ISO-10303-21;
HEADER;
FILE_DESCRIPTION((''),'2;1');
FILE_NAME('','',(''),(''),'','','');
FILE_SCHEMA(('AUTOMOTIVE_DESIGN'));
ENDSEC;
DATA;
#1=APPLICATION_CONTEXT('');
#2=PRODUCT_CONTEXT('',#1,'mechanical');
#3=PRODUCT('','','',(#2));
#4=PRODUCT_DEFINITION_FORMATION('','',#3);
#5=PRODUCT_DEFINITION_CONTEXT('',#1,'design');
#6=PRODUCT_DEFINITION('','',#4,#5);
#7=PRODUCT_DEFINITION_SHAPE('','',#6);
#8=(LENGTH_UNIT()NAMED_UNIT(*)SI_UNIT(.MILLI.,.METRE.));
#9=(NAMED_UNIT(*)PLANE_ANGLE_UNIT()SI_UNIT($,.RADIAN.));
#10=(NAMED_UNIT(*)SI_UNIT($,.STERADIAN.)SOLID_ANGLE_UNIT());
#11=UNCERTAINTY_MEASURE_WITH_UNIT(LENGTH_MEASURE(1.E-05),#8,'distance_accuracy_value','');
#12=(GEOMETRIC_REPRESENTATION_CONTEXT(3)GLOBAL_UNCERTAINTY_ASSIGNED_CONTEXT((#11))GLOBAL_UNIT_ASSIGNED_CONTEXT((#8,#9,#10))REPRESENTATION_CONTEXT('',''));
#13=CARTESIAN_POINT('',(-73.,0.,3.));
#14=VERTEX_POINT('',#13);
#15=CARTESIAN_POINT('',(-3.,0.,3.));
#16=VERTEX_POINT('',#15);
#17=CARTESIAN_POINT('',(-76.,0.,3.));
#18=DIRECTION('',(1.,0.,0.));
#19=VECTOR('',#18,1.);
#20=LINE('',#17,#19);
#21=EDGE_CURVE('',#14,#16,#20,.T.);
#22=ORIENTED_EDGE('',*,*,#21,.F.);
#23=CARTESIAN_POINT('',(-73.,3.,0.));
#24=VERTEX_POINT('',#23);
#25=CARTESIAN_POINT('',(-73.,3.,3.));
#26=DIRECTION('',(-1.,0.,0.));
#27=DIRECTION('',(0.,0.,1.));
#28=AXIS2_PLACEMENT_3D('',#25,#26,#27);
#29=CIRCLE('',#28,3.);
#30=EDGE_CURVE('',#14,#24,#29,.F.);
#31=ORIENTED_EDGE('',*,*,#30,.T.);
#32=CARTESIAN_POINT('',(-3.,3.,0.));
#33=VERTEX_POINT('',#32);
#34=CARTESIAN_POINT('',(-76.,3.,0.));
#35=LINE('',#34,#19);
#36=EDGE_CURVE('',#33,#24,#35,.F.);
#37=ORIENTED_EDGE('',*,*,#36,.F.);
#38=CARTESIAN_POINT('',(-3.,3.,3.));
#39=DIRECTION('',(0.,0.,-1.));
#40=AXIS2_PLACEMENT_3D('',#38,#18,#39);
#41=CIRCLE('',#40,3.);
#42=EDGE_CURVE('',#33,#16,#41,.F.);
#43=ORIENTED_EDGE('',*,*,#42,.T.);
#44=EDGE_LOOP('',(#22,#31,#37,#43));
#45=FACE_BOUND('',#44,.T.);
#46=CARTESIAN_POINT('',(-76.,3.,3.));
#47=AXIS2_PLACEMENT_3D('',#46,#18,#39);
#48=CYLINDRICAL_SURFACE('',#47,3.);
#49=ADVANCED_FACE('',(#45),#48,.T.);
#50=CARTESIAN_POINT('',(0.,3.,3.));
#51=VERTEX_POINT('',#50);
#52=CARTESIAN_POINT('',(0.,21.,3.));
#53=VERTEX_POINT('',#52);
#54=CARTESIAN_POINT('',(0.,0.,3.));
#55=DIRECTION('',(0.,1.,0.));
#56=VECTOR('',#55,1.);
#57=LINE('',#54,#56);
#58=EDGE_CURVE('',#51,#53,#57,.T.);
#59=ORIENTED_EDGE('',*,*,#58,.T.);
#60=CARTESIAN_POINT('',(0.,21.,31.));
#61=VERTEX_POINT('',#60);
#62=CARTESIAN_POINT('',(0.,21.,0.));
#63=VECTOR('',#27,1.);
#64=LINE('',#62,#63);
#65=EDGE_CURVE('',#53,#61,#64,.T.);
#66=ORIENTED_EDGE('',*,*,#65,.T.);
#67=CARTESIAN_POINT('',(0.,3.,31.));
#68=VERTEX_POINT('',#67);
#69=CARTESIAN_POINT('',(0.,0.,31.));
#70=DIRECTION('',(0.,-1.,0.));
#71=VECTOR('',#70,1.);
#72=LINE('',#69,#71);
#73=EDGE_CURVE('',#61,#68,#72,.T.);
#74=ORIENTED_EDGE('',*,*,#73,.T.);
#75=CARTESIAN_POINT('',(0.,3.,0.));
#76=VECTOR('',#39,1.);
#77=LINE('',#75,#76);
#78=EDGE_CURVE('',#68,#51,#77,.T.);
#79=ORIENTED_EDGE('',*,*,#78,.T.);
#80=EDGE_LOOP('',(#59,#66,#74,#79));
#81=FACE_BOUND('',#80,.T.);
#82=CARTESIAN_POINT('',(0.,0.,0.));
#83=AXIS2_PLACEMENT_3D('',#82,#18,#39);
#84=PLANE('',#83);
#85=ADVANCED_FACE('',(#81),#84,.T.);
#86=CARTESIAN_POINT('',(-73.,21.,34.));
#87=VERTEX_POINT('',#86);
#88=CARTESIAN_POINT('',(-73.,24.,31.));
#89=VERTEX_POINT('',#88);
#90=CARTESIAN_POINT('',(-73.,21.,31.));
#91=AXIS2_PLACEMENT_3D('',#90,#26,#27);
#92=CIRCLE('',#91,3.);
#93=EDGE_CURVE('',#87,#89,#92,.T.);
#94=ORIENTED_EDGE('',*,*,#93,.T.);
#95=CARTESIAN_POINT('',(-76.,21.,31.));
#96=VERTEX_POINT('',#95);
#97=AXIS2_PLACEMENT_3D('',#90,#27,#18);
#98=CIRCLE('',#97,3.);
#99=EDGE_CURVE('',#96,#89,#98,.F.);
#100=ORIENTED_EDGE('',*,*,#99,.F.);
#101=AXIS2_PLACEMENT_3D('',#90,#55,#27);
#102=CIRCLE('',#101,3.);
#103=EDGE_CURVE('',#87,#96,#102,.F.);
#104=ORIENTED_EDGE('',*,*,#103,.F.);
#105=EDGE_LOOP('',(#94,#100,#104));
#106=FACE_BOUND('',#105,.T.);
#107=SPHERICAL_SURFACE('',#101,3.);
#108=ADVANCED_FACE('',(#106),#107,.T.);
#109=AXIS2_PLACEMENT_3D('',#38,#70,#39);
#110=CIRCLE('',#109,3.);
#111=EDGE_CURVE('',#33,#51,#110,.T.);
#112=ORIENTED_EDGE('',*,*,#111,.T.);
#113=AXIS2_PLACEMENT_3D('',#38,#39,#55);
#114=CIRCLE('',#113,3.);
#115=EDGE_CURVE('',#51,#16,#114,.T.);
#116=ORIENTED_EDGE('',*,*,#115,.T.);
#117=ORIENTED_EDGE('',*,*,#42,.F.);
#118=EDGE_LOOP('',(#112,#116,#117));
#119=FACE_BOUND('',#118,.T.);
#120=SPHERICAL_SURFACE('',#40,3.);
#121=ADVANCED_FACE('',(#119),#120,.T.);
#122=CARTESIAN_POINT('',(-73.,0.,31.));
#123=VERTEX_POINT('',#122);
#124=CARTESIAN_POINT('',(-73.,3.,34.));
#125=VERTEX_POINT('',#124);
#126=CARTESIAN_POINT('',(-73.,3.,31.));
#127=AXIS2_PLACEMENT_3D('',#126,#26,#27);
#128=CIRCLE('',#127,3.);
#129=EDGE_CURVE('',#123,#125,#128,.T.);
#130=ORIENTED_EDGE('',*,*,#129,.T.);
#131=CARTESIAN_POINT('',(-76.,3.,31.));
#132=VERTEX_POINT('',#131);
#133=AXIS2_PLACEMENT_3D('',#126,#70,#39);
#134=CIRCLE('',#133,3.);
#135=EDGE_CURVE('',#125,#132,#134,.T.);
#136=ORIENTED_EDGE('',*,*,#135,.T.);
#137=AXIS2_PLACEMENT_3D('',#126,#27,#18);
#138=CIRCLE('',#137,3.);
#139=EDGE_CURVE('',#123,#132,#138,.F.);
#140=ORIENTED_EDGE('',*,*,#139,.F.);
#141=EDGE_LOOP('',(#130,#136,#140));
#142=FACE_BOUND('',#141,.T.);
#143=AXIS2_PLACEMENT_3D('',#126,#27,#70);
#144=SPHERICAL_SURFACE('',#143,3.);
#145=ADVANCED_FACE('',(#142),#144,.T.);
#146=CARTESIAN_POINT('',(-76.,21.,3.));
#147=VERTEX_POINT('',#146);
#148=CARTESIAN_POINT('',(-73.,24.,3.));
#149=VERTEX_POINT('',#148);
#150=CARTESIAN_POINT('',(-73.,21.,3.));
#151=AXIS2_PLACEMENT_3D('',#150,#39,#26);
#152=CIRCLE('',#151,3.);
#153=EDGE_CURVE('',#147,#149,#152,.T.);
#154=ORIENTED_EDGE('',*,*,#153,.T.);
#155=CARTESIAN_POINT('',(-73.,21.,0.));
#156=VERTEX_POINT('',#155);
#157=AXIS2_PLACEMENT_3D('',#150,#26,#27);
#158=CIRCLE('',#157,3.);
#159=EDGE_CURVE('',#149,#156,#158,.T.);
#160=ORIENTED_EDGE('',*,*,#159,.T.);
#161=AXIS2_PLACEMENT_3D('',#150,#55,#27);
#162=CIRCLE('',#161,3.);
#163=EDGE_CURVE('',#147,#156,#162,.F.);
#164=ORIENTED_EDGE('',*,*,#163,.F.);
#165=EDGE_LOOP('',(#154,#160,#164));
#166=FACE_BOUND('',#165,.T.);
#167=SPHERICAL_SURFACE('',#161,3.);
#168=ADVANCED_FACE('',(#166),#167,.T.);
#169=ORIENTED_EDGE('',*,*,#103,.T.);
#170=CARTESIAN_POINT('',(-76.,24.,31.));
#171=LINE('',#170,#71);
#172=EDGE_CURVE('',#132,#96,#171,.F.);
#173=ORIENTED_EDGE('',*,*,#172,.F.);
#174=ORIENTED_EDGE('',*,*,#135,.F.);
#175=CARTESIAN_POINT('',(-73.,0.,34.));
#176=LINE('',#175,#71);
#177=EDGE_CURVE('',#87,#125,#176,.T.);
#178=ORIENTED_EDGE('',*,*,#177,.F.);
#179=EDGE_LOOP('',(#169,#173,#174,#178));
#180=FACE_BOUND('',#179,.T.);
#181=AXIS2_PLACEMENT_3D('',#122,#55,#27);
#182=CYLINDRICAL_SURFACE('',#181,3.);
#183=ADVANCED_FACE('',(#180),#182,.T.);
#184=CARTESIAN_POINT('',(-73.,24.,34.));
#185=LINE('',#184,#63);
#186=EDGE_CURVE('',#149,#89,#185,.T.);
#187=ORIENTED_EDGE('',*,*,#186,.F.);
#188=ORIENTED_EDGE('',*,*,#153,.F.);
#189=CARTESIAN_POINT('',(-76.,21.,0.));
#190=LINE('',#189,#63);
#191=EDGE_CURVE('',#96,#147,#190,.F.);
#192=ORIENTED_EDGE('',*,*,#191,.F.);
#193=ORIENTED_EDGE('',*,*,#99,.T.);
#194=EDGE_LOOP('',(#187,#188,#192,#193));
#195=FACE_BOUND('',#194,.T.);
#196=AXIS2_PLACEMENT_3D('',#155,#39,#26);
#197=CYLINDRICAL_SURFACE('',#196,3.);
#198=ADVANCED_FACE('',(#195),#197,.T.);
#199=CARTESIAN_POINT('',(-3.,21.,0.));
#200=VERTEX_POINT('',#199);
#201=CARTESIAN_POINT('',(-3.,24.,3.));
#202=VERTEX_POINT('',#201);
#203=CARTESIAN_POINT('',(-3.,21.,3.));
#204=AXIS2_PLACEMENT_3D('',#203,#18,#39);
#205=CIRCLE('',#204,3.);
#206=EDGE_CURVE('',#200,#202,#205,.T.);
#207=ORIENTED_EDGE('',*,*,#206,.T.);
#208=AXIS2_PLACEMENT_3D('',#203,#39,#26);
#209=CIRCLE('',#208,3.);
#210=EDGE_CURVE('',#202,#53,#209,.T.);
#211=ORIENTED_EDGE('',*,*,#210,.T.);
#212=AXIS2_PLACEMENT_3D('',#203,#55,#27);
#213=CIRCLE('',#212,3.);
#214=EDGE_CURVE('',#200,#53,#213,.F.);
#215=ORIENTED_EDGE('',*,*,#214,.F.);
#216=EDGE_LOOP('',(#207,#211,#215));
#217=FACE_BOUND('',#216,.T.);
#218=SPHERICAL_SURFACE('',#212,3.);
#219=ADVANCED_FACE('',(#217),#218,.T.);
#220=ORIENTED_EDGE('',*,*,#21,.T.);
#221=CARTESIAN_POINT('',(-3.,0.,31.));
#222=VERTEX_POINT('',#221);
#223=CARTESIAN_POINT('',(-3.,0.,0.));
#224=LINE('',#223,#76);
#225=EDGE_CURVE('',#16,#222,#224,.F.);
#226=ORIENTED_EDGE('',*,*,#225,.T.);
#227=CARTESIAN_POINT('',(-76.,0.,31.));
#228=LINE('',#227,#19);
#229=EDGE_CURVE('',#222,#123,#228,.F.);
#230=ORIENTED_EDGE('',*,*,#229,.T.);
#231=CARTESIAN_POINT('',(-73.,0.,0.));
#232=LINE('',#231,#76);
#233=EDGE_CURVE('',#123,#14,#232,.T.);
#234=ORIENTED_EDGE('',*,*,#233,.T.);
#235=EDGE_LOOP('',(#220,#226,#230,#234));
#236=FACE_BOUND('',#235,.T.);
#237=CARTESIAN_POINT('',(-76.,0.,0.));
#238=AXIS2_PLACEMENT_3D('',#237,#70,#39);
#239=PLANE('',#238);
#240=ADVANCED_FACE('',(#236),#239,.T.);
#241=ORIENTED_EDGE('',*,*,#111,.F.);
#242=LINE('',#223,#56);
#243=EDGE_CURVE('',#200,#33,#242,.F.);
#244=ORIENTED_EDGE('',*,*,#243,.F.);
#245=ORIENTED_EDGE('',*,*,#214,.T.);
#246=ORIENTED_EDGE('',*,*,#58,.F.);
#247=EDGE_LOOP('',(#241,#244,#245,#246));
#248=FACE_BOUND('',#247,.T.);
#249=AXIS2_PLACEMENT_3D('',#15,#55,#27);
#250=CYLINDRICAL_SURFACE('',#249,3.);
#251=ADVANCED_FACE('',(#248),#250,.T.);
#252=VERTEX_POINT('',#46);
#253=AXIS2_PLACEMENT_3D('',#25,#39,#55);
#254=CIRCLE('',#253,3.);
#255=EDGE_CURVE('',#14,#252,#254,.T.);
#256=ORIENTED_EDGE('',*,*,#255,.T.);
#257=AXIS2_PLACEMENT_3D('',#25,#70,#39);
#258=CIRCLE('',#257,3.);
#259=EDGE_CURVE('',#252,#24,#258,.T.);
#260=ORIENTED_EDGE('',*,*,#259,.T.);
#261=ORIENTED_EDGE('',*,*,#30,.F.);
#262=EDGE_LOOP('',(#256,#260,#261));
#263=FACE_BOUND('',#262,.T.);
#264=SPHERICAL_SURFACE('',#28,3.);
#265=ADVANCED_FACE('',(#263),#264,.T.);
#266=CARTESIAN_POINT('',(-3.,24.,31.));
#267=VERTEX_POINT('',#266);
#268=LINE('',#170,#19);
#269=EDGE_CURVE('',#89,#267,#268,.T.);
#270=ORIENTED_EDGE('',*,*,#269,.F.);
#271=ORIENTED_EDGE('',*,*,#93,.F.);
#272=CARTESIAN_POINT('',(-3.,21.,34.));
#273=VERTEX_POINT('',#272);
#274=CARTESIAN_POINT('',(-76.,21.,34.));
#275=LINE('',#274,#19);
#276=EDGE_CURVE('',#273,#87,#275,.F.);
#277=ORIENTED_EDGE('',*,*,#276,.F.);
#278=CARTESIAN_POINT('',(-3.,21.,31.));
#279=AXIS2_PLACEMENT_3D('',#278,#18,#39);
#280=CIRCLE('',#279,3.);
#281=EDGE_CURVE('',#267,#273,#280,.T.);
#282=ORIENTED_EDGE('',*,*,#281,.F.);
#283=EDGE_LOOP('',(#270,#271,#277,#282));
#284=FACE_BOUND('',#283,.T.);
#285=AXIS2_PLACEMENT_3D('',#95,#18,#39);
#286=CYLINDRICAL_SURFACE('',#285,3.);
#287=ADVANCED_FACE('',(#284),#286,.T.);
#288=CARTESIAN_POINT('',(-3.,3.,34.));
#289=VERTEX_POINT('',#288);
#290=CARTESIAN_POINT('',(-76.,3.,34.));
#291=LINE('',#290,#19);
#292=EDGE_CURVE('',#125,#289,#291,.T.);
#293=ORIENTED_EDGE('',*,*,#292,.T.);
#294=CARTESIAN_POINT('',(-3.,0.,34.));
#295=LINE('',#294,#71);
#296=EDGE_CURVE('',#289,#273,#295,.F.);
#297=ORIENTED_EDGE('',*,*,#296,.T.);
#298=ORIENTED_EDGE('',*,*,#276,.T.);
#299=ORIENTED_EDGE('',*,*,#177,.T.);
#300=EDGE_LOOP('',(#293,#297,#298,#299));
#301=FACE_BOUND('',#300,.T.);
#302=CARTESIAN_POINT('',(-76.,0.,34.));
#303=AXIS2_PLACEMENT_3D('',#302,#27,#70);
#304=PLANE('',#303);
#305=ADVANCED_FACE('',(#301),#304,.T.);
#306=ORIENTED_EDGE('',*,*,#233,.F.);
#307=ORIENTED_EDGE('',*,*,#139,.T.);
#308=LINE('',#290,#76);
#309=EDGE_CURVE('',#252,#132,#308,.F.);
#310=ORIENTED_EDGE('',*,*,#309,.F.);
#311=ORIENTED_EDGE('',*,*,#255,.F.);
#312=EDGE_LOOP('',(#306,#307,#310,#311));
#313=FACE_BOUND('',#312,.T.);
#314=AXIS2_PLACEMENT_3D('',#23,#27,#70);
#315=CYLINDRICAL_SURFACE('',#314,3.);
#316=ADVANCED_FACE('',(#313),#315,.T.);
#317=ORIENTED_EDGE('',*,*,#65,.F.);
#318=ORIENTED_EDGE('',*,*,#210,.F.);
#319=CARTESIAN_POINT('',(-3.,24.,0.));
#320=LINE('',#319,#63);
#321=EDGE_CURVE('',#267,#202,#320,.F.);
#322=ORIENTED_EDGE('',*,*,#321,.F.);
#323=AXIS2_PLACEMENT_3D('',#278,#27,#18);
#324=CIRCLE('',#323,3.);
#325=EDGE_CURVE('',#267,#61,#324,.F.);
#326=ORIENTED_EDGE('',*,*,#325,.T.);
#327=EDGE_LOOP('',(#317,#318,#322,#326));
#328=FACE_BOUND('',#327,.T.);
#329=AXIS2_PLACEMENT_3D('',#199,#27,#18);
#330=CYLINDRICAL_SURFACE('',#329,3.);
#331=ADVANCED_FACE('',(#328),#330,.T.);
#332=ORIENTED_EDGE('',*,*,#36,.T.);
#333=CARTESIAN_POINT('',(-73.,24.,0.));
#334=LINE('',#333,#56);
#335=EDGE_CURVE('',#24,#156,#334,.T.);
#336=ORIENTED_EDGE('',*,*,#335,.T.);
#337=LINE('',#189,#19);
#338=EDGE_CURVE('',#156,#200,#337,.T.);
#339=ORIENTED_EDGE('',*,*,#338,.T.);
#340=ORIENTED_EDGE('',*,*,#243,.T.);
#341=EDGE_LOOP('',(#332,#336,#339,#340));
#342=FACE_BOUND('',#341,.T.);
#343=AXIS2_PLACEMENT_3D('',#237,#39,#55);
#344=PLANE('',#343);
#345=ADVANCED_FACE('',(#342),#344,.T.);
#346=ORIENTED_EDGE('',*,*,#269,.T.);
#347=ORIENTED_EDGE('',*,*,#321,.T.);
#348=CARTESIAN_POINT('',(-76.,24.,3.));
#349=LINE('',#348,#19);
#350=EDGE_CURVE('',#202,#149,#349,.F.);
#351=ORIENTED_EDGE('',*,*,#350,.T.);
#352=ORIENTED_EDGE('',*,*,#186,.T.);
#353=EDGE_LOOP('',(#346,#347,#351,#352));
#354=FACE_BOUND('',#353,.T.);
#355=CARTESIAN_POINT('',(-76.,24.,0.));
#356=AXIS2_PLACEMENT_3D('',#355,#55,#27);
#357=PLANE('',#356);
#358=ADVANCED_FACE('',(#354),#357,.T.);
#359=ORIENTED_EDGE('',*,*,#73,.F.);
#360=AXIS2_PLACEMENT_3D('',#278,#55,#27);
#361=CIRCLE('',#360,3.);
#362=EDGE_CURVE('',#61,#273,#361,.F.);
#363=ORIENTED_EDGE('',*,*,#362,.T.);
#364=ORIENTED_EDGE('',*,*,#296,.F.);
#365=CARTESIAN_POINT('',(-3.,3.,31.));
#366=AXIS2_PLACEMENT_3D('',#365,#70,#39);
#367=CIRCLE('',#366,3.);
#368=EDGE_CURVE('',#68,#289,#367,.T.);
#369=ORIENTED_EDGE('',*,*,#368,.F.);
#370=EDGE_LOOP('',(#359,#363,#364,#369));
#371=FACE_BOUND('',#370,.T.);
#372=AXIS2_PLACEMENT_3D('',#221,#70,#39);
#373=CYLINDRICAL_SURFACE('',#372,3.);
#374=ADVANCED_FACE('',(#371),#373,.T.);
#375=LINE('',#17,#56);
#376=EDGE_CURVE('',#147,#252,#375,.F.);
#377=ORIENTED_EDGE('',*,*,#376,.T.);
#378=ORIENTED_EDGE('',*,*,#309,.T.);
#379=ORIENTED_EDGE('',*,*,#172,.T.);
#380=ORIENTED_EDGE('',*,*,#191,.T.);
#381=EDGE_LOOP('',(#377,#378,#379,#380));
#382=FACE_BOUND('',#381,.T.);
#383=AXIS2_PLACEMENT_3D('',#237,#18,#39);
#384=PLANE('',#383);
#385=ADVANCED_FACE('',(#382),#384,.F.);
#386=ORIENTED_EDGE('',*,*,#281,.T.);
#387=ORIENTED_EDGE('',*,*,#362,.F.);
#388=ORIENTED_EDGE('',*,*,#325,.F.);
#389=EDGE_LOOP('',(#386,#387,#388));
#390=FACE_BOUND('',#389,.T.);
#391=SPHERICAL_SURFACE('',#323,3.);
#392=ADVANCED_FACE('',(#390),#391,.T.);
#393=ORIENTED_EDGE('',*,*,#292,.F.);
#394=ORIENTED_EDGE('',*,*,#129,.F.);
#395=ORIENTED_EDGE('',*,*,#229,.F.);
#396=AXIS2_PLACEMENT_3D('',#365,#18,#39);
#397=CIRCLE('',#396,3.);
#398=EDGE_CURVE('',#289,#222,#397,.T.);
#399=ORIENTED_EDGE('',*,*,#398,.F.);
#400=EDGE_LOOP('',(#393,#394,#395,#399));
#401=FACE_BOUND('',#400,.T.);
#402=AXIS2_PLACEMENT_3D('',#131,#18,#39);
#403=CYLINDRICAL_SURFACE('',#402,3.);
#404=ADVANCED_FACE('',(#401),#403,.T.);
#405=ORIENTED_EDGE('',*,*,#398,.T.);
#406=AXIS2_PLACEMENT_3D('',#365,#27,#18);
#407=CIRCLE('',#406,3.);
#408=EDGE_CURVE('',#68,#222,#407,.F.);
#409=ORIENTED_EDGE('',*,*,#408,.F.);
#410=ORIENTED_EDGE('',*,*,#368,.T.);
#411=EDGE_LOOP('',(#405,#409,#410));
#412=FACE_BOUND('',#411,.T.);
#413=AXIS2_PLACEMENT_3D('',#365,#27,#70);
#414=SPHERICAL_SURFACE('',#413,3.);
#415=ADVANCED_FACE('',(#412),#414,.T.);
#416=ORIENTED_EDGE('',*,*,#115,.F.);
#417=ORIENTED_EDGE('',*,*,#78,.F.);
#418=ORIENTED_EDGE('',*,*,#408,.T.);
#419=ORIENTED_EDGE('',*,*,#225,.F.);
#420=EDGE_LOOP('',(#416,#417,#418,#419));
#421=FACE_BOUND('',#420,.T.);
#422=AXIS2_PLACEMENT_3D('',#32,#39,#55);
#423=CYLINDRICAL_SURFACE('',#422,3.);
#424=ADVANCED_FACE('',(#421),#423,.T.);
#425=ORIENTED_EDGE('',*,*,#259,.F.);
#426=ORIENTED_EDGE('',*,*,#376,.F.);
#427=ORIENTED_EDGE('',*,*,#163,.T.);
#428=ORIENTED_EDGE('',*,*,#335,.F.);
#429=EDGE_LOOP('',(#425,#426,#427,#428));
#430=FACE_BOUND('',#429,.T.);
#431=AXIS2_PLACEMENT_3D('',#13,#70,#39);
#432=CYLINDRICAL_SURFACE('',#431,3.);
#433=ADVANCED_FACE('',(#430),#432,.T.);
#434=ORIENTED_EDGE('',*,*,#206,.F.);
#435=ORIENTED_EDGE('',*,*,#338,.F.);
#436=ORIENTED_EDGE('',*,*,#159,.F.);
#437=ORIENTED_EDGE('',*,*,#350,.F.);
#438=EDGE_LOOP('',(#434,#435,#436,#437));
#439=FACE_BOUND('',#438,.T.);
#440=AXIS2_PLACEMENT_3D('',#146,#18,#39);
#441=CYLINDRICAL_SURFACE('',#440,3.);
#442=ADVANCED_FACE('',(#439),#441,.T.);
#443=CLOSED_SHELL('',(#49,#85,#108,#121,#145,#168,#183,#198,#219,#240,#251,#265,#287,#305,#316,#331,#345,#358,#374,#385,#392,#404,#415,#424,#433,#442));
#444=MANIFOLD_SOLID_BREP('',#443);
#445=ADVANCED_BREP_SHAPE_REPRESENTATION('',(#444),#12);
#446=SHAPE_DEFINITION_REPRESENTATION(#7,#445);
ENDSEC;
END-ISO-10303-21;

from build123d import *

# Parameters (mm, degrees)
SKETCH1_W           = 34
SKETCH1_H           = 24
BOSS_EXTRUDE1_DEPTH = 76
FILLET1_R           = 3


with BuildPart() as part:
    # Sketch1 → Boss-Extrude1 (new body)
    with BuildSketch(Plane(origin=(0, 0, 0), x_dir=(0, 0, -1), z_dir=(1, 0, 0))):
        with Locations((-17, 12)):
            Rectangle(SKETCH1_W, SKETCH1_H)
    extrude(amount=-BOSS_EXTRUDE1_DEPTH)

    # Fillet1
    fillet1_edges = [part.edges().sort_by_distance(p)[0] for p in [
        (-76, 12, 34),
        (-76, 0, 17),
        (-76, 12, 0),
        (0, 0, 17),
        (0, 12, 34),
        (0, 24, 17),
        (0, 12, 0),
        (-38, 0, 0),
        (-38, 0, 34),
        (-38, 24, 34),
        (-38, 24, 0),
        (-76, 24, 17),
    ]]
    fillet(fillet1_edges, radius=FILLET1_R)


solid = part.part
